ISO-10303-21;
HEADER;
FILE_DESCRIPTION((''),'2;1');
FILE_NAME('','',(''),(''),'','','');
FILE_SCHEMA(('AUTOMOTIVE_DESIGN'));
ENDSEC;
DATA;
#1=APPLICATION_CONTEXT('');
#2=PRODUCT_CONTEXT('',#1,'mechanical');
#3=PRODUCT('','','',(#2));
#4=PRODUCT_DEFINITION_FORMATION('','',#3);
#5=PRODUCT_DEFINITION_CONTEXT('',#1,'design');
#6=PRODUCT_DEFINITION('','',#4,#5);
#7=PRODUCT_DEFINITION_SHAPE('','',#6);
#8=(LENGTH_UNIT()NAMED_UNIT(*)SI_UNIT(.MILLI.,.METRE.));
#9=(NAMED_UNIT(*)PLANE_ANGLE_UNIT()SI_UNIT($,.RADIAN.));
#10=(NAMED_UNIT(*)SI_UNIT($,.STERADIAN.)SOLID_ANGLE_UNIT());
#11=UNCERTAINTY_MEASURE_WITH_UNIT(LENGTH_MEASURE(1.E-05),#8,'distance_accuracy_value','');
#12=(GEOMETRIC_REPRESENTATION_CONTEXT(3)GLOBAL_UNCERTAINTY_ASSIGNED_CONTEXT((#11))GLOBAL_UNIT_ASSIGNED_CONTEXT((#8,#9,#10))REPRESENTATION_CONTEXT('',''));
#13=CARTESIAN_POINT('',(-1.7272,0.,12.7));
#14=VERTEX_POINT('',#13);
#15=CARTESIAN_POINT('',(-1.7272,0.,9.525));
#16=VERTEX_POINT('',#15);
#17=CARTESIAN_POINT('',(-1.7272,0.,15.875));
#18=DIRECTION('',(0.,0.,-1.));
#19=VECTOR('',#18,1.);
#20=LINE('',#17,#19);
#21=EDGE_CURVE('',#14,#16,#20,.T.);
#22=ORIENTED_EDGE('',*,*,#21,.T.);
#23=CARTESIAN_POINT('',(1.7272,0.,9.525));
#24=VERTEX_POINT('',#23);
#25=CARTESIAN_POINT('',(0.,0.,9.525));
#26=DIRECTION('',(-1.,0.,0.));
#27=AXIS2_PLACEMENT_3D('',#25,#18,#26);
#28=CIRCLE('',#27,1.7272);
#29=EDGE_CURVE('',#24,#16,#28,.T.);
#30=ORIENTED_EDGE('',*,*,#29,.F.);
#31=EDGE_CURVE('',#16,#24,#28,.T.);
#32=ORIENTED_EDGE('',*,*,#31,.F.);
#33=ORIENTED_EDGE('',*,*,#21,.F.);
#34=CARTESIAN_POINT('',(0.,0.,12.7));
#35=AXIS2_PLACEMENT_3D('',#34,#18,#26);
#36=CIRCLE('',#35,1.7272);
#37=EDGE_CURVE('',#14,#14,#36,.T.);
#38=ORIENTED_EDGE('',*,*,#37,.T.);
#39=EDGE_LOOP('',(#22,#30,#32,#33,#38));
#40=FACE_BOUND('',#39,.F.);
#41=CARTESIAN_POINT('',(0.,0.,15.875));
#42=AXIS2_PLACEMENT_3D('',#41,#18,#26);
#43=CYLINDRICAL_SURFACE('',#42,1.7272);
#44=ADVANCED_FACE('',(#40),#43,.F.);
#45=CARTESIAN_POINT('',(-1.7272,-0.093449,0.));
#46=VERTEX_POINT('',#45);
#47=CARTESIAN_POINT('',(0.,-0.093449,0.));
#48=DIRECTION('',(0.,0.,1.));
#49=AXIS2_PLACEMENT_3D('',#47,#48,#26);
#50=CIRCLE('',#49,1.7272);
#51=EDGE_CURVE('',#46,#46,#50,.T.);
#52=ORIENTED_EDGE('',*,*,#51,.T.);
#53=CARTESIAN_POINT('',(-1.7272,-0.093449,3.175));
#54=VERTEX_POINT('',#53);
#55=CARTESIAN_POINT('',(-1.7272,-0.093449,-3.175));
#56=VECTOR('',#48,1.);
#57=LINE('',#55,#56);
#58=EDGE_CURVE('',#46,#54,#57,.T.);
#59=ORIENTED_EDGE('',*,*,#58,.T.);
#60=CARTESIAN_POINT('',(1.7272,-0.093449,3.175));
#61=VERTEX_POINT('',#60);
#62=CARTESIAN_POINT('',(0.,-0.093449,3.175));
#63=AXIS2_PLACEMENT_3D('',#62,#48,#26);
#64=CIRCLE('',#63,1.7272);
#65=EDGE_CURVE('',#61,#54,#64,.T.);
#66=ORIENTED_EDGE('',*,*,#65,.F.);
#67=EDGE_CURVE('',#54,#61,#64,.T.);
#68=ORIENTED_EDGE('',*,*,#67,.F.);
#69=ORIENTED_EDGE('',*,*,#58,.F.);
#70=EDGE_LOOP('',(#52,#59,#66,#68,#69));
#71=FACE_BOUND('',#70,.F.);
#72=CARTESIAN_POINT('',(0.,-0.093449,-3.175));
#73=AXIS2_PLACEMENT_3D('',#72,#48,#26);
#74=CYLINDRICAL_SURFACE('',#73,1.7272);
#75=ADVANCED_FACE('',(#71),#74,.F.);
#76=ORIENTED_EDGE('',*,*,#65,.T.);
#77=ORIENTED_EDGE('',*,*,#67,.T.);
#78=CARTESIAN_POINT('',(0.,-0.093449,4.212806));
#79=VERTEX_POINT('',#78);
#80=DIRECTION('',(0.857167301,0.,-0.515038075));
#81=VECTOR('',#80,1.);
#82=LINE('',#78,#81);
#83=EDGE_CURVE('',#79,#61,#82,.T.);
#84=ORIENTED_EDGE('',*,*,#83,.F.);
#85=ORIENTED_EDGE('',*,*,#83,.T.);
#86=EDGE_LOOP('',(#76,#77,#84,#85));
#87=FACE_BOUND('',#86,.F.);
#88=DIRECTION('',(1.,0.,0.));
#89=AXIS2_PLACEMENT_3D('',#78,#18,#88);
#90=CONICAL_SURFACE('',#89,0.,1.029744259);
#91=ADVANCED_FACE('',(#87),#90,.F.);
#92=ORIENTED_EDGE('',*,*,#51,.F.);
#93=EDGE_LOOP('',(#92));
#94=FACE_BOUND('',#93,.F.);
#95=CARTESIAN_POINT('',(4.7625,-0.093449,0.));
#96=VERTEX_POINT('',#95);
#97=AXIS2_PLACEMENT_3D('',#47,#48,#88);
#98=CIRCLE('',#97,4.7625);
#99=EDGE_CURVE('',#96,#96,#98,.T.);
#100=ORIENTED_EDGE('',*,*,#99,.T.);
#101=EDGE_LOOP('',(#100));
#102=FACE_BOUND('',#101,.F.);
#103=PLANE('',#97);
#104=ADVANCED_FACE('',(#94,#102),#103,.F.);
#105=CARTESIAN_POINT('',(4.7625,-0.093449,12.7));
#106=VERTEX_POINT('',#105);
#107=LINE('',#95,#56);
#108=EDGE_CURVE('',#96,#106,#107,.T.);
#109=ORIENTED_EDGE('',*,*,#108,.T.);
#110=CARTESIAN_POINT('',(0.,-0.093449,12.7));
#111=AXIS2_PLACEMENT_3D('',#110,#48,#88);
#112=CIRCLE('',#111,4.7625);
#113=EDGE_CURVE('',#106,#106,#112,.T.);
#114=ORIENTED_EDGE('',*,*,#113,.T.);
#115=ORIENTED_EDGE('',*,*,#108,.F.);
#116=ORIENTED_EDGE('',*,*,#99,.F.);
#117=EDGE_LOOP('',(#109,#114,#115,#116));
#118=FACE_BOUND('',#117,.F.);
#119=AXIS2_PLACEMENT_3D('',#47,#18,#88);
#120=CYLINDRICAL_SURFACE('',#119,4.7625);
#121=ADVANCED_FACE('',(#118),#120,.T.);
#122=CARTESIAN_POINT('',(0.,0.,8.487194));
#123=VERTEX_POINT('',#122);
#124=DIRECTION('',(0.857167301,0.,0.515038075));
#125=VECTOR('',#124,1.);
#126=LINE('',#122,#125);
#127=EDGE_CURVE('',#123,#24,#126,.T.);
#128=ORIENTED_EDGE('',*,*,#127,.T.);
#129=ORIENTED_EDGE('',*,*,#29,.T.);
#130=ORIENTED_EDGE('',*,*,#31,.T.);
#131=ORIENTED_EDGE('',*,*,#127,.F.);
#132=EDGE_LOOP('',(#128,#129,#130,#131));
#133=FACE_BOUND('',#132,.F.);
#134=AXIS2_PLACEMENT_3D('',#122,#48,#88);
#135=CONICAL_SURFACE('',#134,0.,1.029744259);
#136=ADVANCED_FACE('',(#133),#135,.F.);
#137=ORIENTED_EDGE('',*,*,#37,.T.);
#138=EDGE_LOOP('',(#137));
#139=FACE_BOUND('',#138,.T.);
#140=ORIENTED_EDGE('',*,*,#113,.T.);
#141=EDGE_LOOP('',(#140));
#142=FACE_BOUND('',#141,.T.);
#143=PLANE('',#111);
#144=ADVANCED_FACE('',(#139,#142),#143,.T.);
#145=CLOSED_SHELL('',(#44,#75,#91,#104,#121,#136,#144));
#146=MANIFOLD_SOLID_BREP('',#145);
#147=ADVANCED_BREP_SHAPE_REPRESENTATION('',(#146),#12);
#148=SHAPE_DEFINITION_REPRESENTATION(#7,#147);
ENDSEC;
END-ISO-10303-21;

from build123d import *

# Parameters (mm, degrees)
F0_R     = 4.7625
F1_DEPTH = 12.7
F3_D     = 3.4544
F3_DEPTH = 3.175
F3_TIP   = 1.0378064612
F4_D     = 3.4544
F4_DEPTH = 3.175
F4_TIP   = 1.0378064612


with BuildPart() as f1:
    # F0 (on Top) → F1 (new body)
    with BuildSketch(Plane.XY):
        with Locations((0, -0.0934494074)):
            Circle(F0_R)
    extrude(amount=F1_DEPTH)

    # F3
    with Locations(Plane.XY.offset(12.7)):
        with Locations((0, 0)):
            Hole(F3_D / 2, depth=F3_DEPTH)
            with Locations((0, 0, -(F3_DEPTH + F3_TIP / 2))):  # 118° drill point
                Cone(0, F3_D / 2, F3_TIP, mode=Mode.SUBTRACT)

    # F4
    with Locations(Plane(origin=(0, 0, 0), x_dir=(1, 0, 0), z_dir=(0, 0, -1))):
        with Locations((0, 0.0934494074)):
            Hole(F4_D / 2, depth=F4_DEPTH)
            with Locations((0, 0, -(F4_DEPTH + F4_TIP / 2))):  # 118° drill point
                Cone(0, F4_D / 2, F4_TIP, mode=Mode.SUBTRACT)


solid = f1.part
